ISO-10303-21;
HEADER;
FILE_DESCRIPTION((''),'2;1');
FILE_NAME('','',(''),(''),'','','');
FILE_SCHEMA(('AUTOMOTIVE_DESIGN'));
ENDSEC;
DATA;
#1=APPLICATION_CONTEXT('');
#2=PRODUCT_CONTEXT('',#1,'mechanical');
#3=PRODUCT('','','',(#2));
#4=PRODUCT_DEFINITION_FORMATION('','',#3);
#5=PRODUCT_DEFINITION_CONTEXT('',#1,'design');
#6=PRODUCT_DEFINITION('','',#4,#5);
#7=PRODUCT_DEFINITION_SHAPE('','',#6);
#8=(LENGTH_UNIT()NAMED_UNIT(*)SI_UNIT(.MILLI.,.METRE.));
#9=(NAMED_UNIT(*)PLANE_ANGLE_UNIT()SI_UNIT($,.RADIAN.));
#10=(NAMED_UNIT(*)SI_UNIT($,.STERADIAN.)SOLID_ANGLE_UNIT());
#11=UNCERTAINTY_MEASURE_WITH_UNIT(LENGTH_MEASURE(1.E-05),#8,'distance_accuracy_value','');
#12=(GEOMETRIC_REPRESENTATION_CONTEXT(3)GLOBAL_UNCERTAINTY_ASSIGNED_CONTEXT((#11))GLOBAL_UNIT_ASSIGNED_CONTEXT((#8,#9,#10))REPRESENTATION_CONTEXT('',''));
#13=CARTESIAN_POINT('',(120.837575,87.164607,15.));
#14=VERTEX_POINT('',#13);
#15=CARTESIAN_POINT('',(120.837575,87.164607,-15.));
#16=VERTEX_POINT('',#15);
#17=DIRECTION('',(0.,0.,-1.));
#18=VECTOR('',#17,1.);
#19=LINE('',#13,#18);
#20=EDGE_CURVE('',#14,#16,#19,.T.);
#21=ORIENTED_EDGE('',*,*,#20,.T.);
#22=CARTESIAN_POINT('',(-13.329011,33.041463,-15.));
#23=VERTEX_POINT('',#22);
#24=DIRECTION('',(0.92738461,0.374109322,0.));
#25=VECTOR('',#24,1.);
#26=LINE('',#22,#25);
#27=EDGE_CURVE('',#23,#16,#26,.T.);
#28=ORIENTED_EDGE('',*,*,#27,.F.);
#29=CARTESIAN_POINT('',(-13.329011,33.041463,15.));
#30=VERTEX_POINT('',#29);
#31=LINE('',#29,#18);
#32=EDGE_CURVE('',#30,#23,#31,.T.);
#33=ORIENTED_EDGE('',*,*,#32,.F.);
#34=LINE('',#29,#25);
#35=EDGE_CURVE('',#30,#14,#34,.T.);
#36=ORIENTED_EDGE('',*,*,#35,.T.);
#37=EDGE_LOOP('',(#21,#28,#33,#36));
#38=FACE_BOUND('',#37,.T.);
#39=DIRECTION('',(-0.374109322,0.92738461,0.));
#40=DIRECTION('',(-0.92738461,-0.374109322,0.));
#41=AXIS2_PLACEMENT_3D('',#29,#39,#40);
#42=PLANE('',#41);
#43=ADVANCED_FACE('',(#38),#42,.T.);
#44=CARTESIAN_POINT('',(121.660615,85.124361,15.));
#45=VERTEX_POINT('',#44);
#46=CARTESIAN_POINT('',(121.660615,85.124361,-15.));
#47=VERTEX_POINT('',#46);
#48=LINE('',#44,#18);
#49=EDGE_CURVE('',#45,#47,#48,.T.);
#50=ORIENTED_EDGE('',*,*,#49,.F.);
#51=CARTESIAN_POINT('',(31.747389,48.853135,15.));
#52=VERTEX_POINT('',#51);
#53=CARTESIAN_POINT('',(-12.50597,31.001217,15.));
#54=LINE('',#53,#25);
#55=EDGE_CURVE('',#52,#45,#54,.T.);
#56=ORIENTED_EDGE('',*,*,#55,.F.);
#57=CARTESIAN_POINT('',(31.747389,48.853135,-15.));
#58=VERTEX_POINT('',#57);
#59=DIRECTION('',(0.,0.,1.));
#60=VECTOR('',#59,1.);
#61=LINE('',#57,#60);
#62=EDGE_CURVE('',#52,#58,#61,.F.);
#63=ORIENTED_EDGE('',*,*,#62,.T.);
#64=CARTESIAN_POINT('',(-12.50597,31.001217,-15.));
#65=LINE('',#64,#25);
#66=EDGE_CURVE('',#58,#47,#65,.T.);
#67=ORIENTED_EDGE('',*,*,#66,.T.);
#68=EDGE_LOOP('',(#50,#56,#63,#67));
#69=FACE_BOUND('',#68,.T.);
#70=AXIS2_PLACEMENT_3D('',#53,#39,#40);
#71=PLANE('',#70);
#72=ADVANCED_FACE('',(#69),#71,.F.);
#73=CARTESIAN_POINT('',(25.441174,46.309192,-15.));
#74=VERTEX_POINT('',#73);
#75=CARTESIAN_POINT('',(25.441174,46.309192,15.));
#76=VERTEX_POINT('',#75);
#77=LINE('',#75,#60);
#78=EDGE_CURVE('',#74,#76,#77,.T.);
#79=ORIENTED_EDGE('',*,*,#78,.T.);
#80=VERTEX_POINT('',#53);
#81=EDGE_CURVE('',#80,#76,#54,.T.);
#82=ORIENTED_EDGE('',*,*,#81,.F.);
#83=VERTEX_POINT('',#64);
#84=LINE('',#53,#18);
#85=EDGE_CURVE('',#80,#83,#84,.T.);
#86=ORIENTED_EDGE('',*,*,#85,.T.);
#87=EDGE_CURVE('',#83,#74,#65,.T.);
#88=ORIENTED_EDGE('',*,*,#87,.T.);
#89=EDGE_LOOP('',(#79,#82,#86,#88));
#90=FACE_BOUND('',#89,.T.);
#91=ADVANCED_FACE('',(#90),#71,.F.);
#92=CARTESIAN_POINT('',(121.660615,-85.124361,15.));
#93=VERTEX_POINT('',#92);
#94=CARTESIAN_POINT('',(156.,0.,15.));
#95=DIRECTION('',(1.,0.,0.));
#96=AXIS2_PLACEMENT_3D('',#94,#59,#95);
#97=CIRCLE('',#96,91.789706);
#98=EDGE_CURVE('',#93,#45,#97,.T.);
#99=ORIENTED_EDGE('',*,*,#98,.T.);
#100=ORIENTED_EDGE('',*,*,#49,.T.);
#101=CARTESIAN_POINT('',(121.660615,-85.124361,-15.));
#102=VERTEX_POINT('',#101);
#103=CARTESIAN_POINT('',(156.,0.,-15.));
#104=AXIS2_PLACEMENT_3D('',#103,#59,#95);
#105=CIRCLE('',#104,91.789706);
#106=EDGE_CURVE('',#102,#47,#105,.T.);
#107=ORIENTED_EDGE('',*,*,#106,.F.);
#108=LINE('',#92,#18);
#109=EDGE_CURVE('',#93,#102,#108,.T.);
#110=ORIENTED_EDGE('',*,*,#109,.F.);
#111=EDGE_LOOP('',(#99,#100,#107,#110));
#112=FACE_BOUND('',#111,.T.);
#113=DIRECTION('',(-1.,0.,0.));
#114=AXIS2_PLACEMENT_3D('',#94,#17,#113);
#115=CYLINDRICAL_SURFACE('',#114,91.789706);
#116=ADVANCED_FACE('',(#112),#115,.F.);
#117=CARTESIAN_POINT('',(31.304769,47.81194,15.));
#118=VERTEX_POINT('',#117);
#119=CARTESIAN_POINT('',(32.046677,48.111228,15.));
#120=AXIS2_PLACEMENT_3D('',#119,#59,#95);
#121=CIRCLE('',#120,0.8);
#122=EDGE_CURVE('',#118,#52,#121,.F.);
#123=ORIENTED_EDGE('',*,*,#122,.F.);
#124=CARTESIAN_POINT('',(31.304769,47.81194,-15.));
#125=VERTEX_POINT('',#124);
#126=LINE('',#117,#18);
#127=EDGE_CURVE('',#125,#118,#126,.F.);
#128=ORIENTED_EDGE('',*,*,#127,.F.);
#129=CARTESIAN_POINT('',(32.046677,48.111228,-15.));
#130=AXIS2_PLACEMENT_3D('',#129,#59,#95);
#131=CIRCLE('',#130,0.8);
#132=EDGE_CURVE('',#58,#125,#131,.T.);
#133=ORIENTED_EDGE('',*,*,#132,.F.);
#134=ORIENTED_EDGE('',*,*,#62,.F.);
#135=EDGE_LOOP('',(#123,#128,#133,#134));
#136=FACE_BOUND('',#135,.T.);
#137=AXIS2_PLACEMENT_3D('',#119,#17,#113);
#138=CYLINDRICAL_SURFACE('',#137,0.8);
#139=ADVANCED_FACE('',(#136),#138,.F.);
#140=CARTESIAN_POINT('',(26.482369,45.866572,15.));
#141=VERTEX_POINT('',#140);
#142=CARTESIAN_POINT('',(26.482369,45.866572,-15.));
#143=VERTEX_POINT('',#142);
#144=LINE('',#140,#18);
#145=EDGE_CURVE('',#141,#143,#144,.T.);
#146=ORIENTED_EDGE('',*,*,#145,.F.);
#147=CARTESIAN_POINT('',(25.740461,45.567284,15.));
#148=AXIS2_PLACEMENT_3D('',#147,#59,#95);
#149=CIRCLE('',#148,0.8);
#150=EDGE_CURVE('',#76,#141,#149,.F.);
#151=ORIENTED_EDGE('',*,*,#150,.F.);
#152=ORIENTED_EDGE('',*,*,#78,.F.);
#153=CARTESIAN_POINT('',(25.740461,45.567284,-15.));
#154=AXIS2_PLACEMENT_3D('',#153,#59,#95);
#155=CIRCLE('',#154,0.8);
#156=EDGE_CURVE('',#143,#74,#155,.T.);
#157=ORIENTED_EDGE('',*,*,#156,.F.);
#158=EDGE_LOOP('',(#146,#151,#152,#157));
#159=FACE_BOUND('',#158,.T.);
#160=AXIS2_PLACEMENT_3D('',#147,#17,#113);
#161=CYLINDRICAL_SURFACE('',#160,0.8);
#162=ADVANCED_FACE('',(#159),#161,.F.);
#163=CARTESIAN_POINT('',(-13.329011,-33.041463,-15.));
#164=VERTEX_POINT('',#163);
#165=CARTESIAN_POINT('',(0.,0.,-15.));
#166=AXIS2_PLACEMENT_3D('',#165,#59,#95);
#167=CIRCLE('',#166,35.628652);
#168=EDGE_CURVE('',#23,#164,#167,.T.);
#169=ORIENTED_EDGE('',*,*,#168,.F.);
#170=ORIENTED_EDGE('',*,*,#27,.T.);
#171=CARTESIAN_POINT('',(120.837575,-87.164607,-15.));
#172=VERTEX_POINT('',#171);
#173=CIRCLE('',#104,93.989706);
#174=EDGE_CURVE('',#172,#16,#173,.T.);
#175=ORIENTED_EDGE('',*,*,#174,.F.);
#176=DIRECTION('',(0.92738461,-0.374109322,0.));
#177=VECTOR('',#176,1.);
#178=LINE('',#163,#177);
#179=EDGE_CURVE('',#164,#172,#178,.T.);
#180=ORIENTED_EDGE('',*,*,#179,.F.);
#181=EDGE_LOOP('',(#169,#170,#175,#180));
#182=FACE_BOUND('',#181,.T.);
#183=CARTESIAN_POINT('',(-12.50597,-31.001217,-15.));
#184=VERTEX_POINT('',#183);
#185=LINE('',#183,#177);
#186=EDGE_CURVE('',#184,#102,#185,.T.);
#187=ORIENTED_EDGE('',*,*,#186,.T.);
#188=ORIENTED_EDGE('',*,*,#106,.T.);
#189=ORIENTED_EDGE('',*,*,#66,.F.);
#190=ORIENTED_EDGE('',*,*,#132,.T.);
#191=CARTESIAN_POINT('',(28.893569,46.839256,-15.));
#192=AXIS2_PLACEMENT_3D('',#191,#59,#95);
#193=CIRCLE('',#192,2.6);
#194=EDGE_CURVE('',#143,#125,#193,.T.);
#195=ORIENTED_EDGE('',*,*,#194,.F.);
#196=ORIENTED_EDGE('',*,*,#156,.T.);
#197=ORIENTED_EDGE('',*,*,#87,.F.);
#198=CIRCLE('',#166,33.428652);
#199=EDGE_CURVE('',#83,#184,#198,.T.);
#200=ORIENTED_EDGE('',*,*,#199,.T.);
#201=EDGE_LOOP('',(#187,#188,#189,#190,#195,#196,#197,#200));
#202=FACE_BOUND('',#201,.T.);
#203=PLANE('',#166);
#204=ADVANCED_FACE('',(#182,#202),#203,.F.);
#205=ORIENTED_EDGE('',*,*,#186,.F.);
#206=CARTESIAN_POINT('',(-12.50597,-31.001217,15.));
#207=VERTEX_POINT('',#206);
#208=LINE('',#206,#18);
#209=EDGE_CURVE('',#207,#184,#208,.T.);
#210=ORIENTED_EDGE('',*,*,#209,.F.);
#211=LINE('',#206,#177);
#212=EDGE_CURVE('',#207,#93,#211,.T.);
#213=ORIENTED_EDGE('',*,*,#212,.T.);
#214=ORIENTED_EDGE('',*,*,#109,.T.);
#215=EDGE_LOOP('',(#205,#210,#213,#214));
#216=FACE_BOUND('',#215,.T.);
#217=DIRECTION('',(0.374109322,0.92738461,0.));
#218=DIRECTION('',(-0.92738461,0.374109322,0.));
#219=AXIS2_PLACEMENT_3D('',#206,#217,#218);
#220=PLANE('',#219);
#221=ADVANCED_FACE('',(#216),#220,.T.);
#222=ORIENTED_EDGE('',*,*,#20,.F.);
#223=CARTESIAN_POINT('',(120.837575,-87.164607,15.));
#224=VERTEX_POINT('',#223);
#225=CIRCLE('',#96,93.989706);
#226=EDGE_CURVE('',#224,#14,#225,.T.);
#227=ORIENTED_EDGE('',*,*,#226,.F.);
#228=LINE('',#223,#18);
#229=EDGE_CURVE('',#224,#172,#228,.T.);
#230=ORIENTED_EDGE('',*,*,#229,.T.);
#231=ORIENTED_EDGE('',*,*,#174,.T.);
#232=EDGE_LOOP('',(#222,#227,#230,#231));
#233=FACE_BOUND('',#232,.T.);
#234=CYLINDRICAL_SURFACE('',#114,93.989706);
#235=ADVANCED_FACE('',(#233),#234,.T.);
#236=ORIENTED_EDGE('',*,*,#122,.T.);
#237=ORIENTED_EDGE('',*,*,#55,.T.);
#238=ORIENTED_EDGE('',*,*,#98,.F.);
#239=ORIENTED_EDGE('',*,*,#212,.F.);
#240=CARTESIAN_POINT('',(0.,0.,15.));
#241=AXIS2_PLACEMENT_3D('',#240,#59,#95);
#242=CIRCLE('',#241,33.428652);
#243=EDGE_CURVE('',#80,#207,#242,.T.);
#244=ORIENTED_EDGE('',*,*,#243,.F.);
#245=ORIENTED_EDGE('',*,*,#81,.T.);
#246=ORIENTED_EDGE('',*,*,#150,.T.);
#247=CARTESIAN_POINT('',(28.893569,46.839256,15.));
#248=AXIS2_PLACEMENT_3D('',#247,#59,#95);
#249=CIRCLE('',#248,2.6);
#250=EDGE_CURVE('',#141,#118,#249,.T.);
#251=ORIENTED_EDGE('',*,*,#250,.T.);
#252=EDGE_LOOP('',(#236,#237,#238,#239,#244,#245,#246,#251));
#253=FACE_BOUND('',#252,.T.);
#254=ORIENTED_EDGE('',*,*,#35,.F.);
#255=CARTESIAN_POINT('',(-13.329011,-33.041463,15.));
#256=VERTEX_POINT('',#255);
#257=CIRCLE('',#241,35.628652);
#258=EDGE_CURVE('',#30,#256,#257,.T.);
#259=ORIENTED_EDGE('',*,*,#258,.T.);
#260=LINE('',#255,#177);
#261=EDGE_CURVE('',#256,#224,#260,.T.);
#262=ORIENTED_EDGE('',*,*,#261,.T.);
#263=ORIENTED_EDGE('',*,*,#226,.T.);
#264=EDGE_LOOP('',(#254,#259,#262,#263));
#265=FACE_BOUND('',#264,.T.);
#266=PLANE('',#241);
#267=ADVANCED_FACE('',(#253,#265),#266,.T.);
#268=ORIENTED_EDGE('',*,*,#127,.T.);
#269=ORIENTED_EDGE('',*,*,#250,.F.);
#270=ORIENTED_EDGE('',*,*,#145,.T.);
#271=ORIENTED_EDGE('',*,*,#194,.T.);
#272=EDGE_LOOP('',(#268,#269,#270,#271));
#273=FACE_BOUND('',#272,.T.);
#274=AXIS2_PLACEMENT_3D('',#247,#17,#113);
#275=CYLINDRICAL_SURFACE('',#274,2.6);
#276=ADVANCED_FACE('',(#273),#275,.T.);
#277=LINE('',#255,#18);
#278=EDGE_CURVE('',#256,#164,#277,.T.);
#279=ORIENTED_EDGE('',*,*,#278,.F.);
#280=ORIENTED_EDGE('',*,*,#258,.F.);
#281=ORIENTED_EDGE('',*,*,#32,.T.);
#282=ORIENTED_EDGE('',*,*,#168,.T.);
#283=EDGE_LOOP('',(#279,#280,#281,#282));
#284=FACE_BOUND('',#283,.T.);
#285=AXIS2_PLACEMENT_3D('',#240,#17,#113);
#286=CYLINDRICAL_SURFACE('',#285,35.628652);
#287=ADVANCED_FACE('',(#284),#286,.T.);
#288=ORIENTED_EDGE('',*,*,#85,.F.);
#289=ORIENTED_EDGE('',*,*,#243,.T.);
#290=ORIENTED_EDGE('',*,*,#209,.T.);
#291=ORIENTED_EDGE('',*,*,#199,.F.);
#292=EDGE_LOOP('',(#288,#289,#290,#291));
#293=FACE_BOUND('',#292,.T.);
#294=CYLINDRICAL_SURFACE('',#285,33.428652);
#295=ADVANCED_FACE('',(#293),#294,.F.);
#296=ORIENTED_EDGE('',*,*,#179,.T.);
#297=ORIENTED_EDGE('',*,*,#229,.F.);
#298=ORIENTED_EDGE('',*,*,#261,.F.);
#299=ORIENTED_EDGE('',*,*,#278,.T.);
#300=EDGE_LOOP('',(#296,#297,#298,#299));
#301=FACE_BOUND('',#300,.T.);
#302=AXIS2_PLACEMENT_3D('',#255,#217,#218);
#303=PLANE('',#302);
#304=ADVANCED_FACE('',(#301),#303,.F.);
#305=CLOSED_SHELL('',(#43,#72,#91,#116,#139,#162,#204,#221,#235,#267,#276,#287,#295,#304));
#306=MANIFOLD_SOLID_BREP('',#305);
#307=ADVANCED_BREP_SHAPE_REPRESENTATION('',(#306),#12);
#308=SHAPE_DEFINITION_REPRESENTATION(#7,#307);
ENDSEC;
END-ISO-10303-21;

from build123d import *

# Parameters (mm, degrees)
BOSS_EXTRUDE1_DEPTH = 15
BOSS_EXTRUDE2_DEPTH = 15
FILLET4_R           = 0.8


with BuildPart() as part:
    # Sketch1 → Boss-Extrude1 (new, symmetric)
    with BuildSketch(Plane.XY):
        with BuildLine():
            Line((-13.329010746, 33.041463317), (120.837574837, 87.164606832))
            ThreePointArc((120.837574837, 87.164606832), (249.989705965, 0), (120.837574837, -87.164606832))
            Line((120.837574837, -87.164606832), (-13.329010746, -33.041463317))
            ThreePointArc((-13.329010746, -33.041463317), (-35.628651751, 0), (-13.329010746, 33.041463317))
        make_face()
        with BuildLine():
            Line((-12.505970238, 31.001217174), (121.660615345, 85.124360689))
            ThreePointArc((121.660615345, 85.124360689), (247.789705965, 0), (121.660615345, -85.124360689))
            Line((121.660615345, -85.124360689), (-12.505970238, -31.001217174))
            ThreePointArc((-12.505970238, -31.001217174), (-33.428651751, 0), (-12.505970238, 31.001217174))
        make_face(mode=Mode.SUBTRACT)
    extrude(amount=BOSS_EXTRUDE1_DEPTH, both=True)

    # Sketch2 → Boss-Extrude2 (add, symmetric)
    with BuildSketch(Plane.XY):
        with BuildLine():
            Line((26.425162942, 46.022572764), (26.179278266, 46.606945289))
            Line((26.179278266, 46.606945289), (30.962929341, 48.536682358))
            Line((30.962929341, 48.536682358), (31.237715226, 47.963968655))
            ThreePointArc((31.237715226, 47.963968655), (29.866253214, 44.428056099), (26.425162942, 46.022572764))
        make_face()
    extrude(amount=BOSS_EXTRUDE2_DEPTH, both=True)

    # Fillet4
    fillet4_edges = [part.edges().sort_by_distance(p)[0] for p in [
        (30.962929341, 48.536682358, 0),
        (26.179278266, 46.606945289, 0),
    ]]
    fillet(fillet4_edges, radius=FILLET4_R)


solid = part.part
